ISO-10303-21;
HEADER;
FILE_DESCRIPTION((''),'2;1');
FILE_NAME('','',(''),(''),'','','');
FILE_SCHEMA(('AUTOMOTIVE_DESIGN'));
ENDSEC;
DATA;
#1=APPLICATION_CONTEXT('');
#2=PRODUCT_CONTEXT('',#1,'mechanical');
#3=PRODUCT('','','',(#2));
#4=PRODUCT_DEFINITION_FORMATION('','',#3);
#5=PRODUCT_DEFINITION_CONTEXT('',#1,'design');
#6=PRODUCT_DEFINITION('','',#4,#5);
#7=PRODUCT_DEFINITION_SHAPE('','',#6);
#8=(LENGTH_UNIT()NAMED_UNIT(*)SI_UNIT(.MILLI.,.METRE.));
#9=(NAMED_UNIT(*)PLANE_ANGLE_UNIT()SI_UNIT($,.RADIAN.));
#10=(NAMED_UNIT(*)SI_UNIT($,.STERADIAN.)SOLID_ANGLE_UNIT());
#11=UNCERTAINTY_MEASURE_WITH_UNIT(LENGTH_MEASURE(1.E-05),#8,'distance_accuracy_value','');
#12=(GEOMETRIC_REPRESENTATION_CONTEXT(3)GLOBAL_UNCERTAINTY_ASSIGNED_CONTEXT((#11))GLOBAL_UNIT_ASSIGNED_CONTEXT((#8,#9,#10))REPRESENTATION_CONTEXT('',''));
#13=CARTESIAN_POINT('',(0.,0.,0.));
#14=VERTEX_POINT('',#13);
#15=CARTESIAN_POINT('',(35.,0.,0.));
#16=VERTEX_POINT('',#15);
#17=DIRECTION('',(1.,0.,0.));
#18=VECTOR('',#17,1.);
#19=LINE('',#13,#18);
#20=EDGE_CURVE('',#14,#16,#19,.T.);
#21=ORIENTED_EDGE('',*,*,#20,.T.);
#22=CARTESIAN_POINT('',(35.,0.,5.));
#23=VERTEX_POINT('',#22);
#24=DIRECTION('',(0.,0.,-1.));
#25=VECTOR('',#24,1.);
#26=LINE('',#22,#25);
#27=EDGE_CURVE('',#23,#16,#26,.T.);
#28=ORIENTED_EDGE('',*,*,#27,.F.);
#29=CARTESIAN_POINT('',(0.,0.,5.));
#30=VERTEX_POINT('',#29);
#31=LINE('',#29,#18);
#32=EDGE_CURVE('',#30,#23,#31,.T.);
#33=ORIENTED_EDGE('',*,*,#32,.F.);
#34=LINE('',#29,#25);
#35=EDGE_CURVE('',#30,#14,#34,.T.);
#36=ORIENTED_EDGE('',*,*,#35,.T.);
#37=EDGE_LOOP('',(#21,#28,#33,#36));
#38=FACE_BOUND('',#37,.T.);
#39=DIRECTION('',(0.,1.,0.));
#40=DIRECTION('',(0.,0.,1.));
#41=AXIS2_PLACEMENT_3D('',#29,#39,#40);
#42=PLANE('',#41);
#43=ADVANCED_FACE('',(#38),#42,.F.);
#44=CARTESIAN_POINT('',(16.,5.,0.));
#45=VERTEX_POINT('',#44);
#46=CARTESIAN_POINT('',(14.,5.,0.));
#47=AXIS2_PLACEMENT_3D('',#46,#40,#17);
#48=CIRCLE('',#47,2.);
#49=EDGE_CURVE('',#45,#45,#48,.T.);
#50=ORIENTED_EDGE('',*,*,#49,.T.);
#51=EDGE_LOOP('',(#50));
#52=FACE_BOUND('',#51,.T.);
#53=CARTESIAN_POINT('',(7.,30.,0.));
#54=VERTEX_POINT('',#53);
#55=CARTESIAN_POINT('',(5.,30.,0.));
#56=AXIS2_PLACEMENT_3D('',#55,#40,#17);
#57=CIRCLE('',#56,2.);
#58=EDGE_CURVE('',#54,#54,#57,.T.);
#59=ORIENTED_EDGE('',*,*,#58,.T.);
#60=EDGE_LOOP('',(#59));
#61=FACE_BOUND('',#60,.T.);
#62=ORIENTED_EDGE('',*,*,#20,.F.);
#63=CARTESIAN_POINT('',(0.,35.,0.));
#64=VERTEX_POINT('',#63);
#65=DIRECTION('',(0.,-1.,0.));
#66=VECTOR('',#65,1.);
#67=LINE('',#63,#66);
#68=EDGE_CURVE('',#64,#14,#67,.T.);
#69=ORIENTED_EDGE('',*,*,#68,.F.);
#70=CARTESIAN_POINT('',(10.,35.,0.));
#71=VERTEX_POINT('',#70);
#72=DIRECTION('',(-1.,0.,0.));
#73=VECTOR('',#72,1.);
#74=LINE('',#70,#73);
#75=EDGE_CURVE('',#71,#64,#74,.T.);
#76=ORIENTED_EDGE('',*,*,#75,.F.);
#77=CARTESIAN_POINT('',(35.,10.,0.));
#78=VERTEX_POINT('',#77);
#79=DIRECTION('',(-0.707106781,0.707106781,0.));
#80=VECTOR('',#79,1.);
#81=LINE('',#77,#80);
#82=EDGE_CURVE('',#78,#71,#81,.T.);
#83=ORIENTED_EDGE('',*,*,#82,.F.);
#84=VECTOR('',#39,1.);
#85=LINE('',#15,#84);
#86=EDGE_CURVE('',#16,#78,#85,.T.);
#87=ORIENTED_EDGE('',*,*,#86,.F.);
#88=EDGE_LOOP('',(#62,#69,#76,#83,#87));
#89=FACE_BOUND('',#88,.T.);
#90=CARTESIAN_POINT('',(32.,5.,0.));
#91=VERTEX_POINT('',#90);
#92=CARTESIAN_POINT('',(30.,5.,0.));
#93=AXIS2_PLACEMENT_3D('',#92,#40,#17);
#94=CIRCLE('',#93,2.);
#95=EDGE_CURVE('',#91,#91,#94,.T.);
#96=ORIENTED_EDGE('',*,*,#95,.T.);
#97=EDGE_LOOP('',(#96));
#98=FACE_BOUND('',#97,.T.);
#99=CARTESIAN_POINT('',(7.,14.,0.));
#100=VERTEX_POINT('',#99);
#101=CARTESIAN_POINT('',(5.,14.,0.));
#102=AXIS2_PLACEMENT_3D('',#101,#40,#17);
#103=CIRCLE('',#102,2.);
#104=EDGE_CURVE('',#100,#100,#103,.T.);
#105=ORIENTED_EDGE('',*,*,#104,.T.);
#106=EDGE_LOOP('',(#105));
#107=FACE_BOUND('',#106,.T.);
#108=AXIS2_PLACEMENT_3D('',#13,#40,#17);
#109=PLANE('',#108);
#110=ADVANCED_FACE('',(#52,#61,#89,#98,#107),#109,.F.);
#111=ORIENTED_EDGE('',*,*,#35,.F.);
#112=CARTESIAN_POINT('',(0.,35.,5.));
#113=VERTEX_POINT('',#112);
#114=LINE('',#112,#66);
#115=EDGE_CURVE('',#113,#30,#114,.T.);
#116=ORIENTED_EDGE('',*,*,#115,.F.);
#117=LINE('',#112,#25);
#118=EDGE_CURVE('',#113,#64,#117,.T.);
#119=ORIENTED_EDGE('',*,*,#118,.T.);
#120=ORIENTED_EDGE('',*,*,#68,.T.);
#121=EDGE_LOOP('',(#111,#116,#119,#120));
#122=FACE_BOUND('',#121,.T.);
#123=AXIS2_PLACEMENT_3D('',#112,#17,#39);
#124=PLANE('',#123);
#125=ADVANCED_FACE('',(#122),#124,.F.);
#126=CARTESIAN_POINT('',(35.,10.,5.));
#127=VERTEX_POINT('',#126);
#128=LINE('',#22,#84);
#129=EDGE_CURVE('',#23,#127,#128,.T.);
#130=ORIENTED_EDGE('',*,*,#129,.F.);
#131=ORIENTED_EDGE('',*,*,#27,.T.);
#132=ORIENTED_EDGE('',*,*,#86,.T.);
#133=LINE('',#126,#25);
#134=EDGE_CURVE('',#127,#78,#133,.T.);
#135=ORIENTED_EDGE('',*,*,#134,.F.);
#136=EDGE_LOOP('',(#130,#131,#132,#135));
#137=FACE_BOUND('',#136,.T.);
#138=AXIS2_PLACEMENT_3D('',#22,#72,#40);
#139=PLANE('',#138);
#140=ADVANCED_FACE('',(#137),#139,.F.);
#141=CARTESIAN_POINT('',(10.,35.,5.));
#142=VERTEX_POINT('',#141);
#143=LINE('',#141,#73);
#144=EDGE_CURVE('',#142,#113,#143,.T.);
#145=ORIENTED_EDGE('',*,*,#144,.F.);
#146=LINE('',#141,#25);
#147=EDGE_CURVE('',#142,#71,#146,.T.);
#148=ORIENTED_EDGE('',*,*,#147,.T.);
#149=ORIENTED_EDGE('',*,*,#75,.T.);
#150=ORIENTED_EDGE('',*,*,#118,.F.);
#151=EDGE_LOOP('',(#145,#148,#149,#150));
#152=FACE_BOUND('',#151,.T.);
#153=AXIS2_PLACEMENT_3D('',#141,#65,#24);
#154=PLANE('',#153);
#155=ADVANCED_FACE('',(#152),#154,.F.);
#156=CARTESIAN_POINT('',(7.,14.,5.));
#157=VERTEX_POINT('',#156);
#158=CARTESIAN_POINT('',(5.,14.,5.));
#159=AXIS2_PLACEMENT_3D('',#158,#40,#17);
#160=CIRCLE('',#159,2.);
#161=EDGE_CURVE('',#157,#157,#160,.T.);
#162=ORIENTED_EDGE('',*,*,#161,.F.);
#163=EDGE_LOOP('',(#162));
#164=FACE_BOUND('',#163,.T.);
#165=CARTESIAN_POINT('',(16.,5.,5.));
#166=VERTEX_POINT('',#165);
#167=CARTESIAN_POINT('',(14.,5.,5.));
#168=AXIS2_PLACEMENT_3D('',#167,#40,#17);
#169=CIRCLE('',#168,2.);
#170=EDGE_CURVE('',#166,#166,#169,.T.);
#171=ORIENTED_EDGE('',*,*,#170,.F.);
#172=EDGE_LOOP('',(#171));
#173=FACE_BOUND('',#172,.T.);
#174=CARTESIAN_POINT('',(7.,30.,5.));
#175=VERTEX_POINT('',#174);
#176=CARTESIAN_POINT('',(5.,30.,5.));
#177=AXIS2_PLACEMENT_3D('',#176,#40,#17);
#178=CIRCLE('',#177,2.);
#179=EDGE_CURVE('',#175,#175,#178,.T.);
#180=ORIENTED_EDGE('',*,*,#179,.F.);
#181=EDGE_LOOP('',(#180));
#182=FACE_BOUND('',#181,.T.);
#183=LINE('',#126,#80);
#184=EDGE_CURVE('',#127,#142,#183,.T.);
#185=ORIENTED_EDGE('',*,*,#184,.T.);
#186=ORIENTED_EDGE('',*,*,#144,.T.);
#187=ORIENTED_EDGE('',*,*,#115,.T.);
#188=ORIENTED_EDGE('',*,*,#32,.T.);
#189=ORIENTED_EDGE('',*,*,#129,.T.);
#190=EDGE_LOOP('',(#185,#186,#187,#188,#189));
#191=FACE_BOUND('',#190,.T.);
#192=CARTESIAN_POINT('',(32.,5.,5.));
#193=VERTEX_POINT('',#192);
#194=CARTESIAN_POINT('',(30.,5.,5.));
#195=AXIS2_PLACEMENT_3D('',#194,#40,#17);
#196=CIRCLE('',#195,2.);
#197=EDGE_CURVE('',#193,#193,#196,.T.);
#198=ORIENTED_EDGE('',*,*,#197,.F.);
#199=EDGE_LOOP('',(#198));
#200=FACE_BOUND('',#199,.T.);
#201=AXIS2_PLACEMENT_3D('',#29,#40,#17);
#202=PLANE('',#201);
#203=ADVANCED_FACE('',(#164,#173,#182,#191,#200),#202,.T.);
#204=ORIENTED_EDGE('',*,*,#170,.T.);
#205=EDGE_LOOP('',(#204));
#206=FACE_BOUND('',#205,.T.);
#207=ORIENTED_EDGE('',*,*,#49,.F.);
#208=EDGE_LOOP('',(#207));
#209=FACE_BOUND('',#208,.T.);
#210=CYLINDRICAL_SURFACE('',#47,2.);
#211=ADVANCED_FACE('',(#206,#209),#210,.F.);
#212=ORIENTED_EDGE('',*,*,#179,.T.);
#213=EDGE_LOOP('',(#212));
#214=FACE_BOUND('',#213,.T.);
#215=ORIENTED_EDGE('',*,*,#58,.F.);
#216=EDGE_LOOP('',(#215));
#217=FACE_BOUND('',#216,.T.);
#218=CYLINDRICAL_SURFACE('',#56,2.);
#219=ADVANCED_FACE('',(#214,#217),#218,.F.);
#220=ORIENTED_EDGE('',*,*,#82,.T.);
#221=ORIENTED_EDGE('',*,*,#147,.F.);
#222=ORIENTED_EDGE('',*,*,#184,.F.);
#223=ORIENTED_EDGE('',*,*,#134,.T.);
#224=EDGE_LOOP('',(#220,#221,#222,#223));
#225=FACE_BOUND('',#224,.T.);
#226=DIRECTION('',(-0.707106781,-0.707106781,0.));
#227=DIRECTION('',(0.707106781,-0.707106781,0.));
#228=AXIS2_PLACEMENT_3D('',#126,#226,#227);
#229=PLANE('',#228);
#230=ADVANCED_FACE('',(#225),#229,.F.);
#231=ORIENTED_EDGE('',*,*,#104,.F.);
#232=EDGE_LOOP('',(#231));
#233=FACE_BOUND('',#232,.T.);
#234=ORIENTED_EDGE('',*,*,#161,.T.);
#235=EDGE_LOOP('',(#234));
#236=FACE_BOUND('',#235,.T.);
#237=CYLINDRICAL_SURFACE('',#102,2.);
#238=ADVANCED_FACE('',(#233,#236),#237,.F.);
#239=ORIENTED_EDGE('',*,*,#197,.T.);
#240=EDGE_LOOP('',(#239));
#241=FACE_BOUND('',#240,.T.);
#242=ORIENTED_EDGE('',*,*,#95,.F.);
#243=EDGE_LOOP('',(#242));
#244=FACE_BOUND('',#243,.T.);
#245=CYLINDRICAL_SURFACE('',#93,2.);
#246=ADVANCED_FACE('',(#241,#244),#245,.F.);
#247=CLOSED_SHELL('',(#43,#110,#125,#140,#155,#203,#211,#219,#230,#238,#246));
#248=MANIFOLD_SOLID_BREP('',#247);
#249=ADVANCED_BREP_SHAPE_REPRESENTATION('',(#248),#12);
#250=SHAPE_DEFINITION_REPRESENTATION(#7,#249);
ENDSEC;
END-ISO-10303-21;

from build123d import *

# Parameters (mm, degrees)
BOSS_EXTRU_1_DEPTH      = 5
ESQUISSE2_R             = 2
ENL_V_MAT_EXTRU_1_DEPTH = 5


with BuildPart() as part:
    # Esquisse1 → Boss.-Extru.1 (new body)
    with BuildSketch(Plane.XY):
        Polygon((0, 0), (35, 0), (35, 10), (10, 35), (0, 35), align=None)
    extrude(amount=BOSS_EXTRU_1_DEPTH)

    # Esquisse2 → Enlèv. mat.-Extru.1 (cut)
    with BuildSketch(Plane.XY.offset(5)):
        with Locations((14, 5)):
            Circle(ESQUISSE2_R)
        with Locations((30, 5)):
            Circle(ESQUISSE2_R)
        with Locations((5, 30)):
            Circle(ESQUISSE2_R)
        with Locations((5, 14)):
            Circle(ESQUISSE2_R)
    extrude(amount=-ENL_V_MAT_EXTRU_1_DEPTH, mode=Mode.SUBTRACT)


solid = part.part
